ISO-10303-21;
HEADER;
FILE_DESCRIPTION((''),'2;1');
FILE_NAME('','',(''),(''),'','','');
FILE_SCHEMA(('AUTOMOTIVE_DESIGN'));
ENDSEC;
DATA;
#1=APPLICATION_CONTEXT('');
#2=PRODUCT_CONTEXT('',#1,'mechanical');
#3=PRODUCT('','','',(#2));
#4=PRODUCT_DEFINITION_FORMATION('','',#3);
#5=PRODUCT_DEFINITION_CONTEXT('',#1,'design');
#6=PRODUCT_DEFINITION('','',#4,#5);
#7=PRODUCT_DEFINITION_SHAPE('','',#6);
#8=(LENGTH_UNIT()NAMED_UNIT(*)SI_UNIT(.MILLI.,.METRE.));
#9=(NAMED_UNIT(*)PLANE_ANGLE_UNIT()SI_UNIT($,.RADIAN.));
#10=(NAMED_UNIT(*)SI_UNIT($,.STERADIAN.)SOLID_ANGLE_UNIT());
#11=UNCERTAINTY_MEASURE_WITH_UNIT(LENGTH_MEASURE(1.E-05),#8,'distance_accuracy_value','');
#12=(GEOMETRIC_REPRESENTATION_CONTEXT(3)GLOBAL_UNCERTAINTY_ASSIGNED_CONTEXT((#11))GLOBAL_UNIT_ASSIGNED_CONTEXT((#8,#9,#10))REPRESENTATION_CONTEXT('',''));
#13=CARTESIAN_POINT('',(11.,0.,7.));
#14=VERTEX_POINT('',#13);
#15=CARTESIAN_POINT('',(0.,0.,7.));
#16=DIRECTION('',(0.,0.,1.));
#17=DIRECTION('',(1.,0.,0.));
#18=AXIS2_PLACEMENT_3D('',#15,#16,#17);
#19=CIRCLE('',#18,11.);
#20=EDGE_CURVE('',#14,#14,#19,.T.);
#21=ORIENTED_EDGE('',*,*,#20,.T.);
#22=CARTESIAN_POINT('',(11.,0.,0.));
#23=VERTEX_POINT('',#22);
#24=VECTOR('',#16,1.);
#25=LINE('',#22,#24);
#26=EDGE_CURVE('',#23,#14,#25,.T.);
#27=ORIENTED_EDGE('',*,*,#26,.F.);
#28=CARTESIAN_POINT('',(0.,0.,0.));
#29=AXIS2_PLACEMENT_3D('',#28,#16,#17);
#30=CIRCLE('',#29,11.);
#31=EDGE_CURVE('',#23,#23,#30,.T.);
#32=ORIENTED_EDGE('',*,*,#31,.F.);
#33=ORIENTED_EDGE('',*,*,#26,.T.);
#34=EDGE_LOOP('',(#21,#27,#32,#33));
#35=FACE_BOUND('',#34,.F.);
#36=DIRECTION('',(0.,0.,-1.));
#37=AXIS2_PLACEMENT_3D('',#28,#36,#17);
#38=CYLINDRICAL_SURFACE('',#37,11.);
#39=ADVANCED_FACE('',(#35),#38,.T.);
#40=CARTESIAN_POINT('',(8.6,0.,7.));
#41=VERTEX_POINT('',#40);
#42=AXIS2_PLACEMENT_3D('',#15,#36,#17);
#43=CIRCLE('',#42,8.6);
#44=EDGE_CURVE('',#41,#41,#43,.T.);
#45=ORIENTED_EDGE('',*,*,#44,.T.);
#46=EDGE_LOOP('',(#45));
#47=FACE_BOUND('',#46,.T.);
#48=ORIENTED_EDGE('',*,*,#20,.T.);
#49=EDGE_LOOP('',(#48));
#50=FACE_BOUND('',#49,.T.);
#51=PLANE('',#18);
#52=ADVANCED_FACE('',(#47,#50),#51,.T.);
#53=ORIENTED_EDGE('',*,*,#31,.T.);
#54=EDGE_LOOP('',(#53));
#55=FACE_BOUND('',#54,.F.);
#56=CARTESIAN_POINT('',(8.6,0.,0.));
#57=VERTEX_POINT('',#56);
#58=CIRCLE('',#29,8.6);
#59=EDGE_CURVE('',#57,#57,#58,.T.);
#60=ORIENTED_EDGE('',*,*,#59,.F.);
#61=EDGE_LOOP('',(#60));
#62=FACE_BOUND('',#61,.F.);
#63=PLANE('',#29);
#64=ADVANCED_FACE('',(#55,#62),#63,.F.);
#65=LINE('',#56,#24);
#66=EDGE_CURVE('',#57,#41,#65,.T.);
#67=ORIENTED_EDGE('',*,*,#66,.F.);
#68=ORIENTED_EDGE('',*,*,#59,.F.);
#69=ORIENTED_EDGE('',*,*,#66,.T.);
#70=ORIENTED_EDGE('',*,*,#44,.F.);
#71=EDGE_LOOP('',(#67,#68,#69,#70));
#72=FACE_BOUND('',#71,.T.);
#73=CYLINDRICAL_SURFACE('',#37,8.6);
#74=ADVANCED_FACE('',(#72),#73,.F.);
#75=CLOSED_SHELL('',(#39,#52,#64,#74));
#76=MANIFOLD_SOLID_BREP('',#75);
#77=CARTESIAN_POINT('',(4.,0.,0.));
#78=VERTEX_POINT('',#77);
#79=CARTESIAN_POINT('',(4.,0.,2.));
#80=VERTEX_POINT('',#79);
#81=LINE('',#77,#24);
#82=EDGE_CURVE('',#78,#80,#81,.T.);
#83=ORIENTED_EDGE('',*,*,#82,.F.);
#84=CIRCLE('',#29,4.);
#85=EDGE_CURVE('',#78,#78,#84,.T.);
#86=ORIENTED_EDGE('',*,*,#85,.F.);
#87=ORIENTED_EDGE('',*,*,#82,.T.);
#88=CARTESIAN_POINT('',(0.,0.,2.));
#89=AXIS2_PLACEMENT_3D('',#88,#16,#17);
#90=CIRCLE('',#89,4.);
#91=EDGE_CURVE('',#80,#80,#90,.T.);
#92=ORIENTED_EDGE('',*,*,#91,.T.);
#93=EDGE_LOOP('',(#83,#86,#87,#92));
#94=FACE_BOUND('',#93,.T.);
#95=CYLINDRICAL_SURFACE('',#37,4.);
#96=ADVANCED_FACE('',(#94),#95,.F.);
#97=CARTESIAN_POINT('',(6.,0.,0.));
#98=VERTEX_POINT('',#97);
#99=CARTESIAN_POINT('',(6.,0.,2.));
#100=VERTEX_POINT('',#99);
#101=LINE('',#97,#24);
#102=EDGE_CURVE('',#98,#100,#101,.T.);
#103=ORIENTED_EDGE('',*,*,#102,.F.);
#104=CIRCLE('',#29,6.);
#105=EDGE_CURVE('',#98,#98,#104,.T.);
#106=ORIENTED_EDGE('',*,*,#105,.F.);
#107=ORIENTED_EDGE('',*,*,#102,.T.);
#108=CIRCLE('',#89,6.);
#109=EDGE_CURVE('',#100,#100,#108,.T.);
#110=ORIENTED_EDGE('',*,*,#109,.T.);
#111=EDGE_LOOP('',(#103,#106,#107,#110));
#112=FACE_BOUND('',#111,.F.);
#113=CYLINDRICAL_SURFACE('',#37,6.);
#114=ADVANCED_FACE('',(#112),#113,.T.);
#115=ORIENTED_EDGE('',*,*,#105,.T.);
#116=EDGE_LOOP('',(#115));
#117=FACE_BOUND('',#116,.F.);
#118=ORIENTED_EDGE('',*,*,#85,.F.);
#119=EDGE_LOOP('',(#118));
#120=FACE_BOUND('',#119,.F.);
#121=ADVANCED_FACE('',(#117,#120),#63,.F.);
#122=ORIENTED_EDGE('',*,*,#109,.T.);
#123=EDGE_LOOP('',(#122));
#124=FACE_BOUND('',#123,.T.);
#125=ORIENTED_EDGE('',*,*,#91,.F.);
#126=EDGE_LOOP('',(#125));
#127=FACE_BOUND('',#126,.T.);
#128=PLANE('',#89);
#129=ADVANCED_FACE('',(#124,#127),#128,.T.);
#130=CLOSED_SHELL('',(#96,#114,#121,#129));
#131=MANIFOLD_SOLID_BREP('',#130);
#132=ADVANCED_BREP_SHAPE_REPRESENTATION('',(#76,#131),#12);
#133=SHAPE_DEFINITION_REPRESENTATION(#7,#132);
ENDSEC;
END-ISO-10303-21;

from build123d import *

# Parameters (mm, degrees)
F0_R     = 11
F1_DEPTH = 7
F2_R     = 8.6
F3_DEPTH = 18.2
F4_R     = 6
F4_R_2   = 4
F5_DEPTH = 2


with BuildPart() as f1:
    # F0 (on Top) → F1 (new body)
    with BuildSketch(Plane.XY):
        Circle(F0_R)
    extrude(amount=F1_DEPTH)

    # F2 (on Top) → F3 (cut)
    with BuildSketch(Plane.XY):
        Circle(F2_R)
    extrude(amount=F3_DEPTH, mode=Mode.SUBTRACT)


with BuildPart() as f5:
    # F4 (on Top) → F5 (new body)
    with BuildSketch(Plane.XY):
        Circle(F4_R)
        Circle(F4_R_2, mode=Mode.SUBTRACT)
    extrude(amount=F5_DEPTH)


solid = Compound([f1.part, f5.part])
